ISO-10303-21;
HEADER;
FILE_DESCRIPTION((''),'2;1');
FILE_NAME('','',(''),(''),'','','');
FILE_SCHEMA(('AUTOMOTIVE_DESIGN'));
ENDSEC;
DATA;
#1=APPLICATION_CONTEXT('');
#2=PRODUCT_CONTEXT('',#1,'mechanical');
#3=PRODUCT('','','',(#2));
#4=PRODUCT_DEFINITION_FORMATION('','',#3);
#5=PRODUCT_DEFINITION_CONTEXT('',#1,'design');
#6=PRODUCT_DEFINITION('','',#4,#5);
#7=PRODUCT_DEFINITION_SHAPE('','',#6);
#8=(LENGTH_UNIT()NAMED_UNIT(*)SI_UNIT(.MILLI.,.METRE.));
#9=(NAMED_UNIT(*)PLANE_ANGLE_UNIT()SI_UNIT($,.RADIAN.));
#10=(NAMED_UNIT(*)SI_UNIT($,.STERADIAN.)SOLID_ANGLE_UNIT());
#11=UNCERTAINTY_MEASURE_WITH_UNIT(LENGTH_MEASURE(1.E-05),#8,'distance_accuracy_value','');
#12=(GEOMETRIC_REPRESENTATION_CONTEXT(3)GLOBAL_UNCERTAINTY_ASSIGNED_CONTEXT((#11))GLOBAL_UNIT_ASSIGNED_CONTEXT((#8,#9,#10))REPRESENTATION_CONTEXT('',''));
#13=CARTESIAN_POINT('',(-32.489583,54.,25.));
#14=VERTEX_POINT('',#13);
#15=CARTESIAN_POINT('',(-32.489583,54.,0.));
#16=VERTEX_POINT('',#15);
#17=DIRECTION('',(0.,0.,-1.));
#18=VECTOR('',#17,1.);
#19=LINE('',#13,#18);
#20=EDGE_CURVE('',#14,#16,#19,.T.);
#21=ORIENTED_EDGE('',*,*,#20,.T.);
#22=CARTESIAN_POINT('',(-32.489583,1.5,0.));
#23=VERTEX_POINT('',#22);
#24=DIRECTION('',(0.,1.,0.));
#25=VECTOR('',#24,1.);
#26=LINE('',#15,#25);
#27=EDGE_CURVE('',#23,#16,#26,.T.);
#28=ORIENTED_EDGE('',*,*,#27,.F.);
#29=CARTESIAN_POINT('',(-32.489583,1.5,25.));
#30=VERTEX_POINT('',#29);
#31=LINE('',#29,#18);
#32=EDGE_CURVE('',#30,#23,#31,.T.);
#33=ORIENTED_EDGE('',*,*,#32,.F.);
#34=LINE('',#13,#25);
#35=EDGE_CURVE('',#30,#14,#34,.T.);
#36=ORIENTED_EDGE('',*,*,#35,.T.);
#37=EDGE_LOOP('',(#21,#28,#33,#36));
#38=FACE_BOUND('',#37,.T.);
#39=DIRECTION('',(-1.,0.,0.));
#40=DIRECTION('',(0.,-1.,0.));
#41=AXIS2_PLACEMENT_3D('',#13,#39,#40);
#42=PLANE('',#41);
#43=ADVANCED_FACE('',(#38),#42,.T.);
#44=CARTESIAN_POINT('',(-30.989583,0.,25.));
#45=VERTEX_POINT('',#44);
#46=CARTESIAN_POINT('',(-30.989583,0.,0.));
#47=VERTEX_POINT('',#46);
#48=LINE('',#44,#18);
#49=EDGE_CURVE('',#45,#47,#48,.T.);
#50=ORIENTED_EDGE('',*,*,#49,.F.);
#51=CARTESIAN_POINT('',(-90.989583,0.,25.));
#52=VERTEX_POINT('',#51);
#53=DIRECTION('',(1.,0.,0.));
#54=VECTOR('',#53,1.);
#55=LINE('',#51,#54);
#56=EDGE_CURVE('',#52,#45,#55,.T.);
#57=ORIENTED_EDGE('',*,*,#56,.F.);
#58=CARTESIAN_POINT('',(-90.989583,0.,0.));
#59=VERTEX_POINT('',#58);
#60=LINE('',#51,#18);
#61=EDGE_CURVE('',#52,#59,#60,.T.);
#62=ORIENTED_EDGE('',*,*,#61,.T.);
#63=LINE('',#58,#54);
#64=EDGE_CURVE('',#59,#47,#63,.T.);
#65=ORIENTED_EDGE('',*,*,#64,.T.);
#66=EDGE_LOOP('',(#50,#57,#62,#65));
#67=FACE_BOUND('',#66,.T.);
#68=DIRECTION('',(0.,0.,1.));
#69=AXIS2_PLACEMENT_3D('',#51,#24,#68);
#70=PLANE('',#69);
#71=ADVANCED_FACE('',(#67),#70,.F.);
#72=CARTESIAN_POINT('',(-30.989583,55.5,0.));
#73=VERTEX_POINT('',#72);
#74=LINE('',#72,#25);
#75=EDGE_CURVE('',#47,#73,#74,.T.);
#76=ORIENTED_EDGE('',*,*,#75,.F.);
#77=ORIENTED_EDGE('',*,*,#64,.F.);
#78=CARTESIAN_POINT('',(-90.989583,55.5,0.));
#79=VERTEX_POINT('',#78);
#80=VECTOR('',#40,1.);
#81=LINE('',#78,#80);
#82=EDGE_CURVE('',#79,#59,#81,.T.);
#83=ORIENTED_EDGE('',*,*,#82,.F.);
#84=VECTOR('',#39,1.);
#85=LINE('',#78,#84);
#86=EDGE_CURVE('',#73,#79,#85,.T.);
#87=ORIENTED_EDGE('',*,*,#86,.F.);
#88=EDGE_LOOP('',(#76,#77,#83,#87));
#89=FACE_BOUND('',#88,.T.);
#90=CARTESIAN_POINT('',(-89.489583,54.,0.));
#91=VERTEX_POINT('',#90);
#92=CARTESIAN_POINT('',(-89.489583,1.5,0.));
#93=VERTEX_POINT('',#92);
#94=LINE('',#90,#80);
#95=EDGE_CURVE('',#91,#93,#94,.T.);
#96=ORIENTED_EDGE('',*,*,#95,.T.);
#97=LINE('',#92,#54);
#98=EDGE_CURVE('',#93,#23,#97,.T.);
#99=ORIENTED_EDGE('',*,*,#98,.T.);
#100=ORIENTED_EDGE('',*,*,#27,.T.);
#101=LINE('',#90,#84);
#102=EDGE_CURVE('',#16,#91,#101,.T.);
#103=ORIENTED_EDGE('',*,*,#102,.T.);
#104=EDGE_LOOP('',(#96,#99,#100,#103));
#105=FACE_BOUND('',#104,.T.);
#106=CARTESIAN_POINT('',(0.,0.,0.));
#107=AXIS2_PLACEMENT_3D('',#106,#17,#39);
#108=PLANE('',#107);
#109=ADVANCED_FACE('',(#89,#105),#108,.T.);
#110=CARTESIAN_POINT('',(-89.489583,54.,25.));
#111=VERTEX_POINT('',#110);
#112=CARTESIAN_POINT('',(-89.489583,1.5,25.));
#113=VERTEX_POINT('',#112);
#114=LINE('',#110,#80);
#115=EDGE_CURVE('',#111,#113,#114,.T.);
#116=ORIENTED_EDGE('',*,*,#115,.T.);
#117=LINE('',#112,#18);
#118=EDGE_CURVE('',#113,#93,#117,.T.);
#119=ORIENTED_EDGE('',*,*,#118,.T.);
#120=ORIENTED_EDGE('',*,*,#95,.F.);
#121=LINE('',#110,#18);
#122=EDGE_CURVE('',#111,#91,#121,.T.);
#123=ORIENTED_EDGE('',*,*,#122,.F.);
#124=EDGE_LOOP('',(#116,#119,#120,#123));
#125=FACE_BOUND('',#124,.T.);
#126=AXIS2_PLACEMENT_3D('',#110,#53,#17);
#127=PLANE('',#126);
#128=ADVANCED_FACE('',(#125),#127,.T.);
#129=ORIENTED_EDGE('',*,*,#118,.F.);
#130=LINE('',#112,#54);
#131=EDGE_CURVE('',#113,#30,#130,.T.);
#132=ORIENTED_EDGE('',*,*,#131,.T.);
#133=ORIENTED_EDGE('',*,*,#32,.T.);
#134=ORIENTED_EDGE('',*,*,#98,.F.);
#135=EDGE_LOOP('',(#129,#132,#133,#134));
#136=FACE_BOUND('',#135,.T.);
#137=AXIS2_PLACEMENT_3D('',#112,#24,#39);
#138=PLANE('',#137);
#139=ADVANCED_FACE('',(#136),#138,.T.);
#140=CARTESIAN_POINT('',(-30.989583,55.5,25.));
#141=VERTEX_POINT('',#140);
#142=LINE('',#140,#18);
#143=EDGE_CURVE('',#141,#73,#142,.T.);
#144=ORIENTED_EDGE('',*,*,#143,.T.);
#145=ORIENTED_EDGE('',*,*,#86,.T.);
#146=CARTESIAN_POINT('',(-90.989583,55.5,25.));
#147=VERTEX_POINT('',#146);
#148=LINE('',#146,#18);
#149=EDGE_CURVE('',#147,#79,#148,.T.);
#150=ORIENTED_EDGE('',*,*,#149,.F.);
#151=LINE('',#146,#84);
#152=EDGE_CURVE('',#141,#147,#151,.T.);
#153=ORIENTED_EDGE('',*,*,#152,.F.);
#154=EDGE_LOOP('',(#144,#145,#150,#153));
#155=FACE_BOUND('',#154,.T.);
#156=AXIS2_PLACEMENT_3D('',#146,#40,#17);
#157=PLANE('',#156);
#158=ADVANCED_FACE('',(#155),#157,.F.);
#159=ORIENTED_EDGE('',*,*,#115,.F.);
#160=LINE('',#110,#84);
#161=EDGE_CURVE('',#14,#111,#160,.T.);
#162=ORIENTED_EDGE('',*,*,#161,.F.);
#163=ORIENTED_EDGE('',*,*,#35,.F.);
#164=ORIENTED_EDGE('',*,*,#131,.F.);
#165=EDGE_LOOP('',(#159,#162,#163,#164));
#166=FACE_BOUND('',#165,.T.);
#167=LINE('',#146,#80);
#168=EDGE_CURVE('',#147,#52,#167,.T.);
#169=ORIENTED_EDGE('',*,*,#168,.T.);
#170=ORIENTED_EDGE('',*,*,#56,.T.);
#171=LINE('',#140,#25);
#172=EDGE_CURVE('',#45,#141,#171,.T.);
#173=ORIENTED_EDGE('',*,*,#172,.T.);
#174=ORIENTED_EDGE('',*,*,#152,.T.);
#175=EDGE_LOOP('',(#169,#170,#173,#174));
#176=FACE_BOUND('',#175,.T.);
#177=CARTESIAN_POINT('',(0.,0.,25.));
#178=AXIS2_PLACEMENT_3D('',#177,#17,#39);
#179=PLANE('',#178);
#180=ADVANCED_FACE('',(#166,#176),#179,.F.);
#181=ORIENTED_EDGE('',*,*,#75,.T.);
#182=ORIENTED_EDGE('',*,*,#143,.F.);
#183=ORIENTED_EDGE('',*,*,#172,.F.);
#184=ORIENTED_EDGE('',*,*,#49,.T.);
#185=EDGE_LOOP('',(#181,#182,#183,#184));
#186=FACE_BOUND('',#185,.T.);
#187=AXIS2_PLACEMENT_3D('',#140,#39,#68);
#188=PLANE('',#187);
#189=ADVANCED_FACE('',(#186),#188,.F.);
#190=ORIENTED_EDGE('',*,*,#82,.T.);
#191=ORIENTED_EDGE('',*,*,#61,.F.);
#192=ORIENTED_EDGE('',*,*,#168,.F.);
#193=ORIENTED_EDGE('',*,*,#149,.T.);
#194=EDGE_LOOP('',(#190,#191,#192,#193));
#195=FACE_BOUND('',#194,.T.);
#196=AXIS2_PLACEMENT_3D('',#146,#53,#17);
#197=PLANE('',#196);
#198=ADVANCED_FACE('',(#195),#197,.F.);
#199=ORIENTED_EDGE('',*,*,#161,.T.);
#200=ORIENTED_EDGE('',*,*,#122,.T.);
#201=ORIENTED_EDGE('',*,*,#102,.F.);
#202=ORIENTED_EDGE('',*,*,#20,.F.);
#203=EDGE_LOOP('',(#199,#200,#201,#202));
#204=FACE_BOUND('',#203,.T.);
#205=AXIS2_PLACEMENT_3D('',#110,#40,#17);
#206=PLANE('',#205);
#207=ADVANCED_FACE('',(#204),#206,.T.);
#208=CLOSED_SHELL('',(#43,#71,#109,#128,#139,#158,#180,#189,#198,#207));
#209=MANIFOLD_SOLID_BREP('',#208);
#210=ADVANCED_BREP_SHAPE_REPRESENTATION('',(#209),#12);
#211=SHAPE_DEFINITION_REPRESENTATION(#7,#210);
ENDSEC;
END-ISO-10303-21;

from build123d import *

# Parameters (mm, degrees)
SKETCH2_W           = 60
SKETCH2_H           = 55.5
SKETCH2_W_2         = 57
SKETCH2_H_2         = 52.5
BOSS_EXTRUDE1_DEPTH = 25


with BuildPart() as part:
    # Sketch2 → Boss-Extrude1 (new body)
    with BuildSketch(Plane.XY):
        with Locations((-60.989583333, 27.75)):
            Rectangle(SKETCH2_W, SKETCH2_H)
        with Locations((-60.989583333, 27.75)):
            Rectangle(SKETCH2_W_2, SKETCH2_H_2, mode=Mode.SUBTRACT)
    extrude(amount=BOSS_EXTRUDE1_DEPTH)


solid = part.part
